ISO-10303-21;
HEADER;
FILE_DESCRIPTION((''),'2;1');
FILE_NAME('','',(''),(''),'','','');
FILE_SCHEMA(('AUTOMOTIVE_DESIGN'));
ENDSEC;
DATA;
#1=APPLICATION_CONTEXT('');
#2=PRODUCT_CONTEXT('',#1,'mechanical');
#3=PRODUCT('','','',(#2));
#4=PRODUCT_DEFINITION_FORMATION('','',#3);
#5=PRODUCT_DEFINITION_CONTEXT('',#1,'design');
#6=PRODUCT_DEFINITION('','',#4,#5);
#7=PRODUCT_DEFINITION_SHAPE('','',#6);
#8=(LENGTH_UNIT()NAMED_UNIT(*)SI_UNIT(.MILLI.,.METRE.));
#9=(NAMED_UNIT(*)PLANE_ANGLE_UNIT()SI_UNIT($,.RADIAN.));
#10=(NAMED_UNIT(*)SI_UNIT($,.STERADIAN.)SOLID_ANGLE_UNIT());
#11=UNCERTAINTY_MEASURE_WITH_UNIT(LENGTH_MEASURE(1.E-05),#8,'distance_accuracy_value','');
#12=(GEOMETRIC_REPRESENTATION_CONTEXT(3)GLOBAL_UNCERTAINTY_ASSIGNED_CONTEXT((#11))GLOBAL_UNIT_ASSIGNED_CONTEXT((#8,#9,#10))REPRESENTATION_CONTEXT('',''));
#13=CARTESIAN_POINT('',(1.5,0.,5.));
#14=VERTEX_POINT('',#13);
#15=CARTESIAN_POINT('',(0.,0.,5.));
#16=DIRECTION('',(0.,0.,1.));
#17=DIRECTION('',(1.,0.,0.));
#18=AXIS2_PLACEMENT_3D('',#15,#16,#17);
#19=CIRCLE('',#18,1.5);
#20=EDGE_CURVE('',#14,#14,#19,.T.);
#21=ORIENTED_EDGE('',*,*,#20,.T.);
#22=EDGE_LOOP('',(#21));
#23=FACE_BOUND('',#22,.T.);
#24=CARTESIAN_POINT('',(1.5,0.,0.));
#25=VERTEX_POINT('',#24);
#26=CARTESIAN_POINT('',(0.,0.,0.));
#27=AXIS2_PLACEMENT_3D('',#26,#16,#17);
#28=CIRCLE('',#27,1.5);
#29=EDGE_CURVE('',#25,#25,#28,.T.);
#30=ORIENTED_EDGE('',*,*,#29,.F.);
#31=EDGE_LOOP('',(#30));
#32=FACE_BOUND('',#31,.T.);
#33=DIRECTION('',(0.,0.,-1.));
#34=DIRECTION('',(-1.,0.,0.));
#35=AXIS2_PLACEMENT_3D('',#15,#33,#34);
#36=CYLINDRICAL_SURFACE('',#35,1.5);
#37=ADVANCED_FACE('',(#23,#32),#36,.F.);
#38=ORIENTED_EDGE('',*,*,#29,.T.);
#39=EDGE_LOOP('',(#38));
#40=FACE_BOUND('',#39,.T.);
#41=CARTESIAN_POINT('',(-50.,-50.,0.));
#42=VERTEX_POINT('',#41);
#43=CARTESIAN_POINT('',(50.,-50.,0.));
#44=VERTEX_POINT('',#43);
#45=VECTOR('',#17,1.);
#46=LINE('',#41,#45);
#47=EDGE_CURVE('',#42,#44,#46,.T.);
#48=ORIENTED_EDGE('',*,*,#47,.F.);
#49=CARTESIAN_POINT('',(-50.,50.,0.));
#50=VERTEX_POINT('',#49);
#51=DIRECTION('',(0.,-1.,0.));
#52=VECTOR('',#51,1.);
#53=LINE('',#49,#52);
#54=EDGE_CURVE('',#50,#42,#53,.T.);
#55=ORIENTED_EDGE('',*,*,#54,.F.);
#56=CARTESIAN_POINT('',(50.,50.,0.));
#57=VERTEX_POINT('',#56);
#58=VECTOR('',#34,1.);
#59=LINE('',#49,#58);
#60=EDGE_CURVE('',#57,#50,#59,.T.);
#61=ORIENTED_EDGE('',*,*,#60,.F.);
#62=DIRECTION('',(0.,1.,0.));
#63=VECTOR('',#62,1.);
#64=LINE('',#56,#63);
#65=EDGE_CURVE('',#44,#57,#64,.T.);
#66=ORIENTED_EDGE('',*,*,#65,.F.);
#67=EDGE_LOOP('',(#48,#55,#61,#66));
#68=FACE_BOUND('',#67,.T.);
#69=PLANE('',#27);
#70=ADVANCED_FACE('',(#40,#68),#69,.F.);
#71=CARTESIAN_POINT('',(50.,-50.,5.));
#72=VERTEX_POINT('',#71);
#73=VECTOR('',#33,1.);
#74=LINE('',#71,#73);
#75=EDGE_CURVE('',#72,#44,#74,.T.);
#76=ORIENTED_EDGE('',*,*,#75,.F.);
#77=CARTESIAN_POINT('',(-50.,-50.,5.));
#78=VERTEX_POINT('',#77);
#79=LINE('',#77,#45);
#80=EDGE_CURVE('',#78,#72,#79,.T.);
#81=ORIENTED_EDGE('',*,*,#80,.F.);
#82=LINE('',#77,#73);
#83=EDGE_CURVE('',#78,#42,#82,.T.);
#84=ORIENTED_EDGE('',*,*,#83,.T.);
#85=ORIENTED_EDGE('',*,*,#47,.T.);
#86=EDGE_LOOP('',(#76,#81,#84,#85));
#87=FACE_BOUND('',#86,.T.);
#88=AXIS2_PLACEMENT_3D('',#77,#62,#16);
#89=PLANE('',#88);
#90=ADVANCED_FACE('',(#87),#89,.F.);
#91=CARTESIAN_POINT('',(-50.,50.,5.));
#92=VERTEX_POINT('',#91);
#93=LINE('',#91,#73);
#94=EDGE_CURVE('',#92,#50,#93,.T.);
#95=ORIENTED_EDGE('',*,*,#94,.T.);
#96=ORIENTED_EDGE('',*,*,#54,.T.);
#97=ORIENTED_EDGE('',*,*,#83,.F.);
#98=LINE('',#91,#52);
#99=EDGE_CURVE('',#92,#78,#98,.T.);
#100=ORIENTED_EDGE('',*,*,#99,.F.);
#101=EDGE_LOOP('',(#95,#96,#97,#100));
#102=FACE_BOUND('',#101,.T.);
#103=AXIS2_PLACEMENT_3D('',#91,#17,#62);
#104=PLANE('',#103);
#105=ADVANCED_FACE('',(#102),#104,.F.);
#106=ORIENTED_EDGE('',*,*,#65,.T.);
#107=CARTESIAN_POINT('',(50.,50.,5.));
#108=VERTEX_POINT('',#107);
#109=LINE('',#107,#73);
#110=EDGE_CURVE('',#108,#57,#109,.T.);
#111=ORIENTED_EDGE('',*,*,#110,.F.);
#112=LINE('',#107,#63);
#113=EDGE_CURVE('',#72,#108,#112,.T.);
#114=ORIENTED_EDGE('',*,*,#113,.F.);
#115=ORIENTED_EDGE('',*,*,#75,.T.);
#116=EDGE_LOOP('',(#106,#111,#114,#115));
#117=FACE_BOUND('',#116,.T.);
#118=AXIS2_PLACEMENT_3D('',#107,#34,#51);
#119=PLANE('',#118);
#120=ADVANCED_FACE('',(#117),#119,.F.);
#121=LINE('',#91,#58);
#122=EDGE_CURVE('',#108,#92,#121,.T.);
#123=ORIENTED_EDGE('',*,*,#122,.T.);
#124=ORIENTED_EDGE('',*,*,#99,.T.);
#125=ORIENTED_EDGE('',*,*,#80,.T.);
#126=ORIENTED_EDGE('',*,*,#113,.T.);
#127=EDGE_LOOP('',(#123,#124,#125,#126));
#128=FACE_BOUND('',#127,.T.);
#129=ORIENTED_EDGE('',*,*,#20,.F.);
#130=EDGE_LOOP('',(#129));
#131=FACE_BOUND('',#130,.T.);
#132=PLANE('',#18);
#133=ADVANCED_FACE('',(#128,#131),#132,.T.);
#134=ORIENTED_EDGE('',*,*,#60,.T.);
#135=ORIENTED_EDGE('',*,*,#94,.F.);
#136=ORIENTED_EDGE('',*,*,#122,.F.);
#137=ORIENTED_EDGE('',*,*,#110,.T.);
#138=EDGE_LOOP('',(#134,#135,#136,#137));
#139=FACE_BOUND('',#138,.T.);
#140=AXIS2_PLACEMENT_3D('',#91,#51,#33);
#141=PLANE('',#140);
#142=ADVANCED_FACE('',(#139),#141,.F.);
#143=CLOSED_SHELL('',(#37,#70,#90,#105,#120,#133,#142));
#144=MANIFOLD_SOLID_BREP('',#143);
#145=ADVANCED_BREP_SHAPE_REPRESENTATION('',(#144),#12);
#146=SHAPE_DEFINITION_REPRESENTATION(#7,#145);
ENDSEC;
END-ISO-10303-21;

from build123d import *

# Parameters (mm, degrees)
SKETCH1_W           = 100
SKETCH1_H           = 100
SKETCH1_R           = 1.5
BOSS_EXTRUDE1_DEPTH = 5


with BuildPart() as part:
    # Sketch1 → Boss-Extrude1 (new body)
    with BuildSketch(Plane.XY):
        Rectangle(SKETCH1_W, SKETCH1_H)
        Circle(SKETCH1_R, mode=Mode.SUBTRACT)
    extrude(amount=BOSS_EXTRUDE1_DEPTH)


solid = part.part
